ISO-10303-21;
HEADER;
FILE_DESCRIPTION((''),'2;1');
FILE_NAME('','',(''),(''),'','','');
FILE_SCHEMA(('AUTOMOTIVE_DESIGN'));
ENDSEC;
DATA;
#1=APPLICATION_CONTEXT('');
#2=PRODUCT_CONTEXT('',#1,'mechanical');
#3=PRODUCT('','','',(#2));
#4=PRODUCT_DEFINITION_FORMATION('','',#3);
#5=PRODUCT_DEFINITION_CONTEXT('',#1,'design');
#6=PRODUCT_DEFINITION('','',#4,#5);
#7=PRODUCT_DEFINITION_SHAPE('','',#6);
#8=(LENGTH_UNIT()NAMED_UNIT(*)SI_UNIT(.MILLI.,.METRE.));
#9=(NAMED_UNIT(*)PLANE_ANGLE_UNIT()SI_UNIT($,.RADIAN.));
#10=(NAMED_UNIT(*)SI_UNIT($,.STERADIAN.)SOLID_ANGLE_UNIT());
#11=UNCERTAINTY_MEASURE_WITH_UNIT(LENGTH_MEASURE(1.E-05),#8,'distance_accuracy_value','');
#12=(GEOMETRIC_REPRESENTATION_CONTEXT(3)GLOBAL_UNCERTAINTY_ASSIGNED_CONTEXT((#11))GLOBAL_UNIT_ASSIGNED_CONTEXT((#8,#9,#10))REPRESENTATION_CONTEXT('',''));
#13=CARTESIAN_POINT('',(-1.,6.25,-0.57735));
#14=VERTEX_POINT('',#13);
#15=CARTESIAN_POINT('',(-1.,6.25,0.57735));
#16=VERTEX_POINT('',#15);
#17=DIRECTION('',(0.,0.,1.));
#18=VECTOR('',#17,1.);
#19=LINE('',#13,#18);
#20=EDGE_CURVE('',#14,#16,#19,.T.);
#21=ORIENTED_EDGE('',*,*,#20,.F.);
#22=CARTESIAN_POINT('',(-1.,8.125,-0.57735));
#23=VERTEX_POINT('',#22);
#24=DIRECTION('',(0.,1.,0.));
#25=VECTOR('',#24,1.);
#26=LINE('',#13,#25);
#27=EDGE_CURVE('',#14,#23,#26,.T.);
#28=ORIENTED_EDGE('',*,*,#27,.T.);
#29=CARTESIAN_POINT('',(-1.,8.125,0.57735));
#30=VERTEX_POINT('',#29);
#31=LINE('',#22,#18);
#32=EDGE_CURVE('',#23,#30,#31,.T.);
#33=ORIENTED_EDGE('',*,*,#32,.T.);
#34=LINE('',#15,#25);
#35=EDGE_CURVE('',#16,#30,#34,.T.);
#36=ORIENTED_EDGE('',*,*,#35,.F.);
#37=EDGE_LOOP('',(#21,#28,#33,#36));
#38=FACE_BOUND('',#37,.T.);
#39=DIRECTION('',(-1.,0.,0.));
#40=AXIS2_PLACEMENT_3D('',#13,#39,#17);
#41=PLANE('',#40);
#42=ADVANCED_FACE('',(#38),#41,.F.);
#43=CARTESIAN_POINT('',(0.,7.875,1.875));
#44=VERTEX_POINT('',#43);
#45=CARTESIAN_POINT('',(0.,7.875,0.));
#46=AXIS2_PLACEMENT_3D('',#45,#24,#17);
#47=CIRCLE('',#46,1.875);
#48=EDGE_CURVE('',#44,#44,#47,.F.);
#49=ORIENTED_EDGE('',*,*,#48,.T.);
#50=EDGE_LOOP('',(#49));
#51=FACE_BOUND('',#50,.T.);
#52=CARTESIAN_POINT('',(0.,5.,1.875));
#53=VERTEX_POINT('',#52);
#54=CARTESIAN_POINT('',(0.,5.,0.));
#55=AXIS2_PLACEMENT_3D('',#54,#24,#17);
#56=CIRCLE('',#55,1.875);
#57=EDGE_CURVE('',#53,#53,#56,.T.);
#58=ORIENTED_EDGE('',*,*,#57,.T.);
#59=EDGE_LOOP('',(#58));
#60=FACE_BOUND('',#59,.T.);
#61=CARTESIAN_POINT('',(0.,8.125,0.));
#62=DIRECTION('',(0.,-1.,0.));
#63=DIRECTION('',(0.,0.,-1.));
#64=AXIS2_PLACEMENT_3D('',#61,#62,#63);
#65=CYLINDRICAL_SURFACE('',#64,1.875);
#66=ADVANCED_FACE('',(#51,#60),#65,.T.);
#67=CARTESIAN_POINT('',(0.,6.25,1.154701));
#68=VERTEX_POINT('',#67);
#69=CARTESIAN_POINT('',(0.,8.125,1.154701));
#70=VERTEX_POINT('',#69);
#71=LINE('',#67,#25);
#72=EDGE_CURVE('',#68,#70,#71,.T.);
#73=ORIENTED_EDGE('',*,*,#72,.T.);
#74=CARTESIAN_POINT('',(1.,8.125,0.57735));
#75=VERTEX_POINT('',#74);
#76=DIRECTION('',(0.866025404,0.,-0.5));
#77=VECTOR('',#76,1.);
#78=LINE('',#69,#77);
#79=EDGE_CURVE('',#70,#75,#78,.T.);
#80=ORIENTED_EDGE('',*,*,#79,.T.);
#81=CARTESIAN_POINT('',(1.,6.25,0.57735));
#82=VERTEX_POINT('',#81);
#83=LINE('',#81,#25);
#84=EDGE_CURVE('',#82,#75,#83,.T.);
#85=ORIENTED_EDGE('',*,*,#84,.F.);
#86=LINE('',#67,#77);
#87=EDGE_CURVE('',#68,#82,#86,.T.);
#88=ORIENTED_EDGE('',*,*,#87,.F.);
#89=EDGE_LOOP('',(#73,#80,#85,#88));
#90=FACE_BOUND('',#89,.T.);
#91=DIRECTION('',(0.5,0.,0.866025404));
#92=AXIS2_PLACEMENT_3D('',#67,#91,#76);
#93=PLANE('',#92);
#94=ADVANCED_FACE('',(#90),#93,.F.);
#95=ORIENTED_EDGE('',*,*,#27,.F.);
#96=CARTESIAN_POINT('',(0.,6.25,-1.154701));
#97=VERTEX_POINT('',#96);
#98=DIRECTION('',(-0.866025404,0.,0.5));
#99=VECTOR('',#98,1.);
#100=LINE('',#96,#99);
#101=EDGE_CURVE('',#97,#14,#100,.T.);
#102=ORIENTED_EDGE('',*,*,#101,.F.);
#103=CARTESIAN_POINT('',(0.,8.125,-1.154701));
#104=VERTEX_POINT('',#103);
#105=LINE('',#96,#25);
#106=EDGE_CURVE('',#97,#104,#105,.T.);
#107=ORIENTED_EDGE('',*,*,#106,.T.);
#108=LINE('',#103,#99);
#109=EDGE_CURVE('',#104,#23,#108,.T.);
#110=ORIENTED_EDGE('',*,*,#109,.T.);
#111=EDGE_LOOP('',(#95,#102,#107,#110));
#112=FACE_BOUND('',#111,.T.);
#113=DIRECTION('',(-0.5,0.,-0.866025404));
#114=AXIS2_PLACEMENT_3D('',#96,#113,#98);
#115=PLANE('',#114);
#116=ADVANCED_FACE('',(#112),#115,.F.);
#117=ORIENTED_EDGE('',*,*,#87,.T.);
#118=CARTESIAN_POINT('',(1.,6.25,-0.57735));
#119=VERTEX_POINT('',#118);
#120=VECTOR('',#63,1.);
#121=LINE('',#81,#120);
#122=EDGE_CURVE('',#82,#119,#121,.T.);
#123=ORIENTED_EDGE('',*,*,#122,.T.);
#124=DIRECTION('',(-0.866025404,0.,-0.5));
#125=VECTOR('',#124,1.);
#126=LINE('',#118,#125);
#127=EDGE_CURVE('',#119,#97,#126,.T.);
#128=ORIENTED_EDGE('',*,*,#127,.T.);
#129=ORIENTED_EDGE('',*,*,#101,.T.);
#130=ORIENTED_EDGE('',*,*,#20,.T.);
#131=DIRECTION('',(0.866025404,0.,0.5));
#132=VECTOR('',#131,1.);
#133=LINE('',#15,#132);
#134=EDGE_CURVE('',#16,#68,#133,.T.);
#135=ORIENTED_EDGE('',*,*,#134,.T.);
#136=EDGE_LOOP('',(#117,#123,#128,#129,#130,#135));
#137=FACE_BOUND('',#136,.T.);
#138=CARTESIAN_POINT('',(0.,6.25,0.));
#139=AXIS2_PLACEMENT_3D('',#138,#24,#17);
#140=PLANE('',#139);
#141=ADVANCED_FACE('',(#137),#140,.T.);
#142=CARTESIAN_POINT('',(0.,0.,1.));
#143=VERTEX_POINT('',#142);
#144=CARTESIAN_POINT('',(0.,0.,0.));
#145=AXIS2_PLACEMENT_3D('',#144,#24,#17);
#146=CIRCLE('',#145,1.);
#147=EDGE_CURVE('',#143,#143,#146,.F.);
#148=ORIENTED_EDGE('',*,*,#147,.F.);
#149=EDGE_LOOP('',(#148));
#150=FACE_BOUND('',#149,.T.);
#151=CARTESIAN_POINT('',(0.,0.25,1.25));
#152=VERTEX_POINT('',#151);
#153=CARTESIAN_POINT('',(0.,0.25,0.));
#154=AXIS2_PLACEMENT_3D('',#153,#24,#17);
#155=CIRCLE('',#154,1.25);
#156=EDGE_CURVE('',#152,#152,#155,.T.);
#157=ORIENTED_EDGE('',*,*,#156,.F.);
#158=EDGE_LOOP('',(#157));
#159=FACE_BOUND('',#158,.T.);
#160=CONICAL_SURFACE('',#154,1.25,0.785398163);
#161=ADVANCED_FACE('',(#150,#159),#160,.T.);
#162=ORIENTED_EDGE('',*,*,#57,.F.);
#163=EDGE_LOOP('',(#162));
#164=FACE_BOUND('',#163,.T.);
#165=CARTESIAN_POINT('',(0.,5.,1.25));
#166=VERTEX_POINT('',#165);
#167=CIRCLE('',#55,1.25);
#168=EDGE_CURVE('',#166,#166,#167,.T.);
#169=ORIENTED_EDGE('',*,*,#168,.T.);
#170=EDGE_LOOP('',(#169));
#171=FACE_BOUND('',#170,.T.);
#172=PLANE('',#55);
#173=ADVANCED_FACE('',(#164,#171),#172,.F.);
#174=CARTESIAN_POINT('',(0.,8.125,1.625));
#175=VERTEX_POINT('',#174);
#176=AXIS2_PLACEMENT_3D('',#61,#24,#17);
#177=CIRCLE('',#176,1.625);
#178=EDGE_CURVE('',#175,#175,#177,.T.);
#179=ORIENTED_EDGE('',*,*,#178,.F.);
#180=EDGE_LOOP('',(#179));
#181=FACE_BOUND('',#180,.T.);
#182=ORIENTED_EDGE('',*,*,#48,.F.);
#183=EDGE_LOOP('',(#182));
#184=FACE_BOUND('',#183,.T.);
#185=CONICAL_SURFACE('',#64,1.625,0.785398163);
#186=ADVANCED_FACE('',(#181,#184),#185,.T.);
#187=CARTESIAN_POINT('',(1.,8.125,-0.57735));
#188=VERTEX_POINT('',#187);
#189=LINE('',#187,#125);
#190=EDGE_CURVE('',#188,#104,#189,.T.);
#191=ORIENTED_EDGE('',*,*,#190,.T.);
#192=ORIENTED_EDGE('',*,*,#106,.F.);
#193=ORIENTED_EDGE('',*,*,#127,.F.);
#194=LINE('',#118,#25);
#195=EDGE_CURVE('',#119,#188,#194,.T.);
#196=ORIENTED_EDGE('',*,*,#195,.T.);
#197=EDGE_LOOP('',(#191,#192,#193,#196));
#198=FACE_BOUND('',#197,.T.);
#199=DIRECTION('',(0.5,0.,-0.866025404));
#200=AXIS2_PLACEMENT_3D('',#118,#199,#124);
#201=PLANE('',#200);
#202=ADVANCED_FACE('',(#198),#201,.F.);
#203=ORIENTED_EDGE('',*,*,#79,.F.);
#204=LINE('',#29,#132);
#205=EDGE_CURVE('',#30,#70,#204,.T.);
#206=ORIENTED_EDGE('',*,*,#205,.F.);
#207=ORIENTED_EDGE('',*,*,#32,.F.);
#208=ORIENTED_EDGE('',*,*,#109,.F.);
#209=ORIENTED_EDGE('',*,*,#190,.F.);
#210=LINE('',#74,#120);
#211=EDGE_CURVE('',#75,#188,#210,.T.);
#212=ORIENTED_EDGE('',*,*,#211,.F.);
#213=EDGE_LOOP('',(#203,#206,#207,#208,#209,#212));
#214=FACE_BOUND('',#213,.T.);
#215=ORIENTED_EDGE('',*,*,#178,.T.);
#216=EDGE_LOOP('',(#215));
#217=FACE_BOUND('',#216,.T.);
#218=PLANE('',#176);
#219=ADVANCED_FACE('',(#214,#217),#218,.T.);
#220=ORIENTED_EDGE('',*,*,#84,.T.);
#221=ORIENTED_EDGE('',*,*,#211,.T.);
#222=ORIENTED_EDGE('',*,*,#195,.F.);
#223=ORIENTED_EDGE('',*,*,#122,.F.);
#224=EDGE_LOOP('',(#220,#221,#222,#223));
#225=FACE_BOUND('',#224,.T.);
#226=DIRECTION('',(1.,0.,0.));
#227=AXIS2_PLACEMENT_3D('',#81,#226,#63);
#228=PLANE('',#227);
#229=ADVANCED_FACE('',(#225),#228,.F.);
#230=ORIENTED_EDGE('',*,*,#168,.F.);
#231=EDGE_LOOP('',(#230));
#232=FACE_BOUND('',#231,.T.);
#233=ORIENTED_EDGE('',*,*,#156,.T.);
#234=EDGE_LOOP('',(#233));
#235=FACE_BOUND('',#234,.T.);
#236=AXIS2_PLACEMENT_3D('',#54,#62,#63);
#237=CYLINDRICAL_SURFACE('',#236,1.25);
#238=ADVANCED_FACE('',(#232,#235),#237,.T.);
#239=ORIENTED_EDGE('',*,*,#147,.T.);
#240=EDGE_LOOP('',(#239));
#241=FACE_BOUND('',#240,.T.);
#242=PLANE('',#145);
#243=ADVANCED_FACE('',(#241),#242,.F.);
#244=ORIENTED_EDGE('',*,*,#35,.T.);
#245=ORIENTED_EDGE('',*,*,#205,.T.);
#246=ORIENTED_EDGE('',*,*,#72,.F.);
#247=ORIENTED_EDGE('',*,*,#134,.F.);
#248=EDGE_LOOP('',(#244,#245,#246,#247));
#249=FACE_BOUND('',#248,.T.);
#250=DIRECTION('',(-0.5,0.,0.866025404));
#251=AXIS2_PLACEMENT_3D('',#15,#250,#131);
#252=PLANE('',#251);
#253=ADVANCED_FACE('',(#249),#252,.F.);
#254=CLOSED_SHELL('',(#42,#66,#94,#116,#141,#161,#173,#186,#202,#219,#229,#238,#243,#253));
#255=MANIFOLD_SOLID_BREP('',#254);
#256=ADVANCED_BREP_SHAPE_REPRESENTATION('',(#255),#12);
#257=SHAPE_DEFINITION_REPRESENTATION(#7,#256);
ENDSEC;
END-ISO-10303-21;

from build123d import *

# Parameters (mm, degrees)
SKICA1_R                 = 1.25
P_IDAT_VYSUNUT_M1_DEPTH  = 5
SKICA2_R                 = 1.875
P_IDAT_VYSUNUT_M2_DEPTH  = 3.125
ODEBRAT_VYSUNUT_M1_DEPTH = 1.875
ZKOSEN_1_SIZE            = 0.25


with BuildPart() as part:
    # Skica1 → Přidat vysunutím1 (new body)
    with BuildSketch(Plane(origin=(0, 0, 0), x_dir=(1, 0, 0), z_dir=(0, 1, 0))):
        with Locations(Location((0, 0, 0), (0, 0, 270))):
            Circle(SKICA1_R)
    extrude(amount=P_IDAT_VYSUNUT_M1_DEPTH)

    # Skica2 → Přidat vysunutím2 (add)
    with BuildSketch(Plane(origin=(0, 5, 0), x_dir=(1, 0, 0), z_dir=(0, 1, 0))):
        with Locations(Location((0, 0, 0), (0, 0, 270))):
            Circle(SKICA2_R)
    extrude(amount=P_IDAT_VYSUNUT_M2_DEPTH)

    # Skica3 → Odebrat vysunutím1 (cut)
    with BuildSketch(Plane(origin=(0, 8.125, 0), x_dir=(1, 0, 0), z_dir=(0, 1, 0))):
        Polygon((0, 1.154700538), (-1, 0.577350269), (-1, -0.577350269), (0, -1.154700538), (1, -0.577350269), (1, 0.577350269), align=None)
    extrude(amount=-ODEBRAT_VYSUNUT_M1_DEPTH, mode=Mode.SUBTRACT)

    # Zkosení1
    zkosen_1_edges = [part.edges().sort_by_distance(p)[0] for p in [
        (0, 0, -1.25),
        (0, 8.125, -1.875),
    ]]
    chamfer(zkosen_1_edges, length=ZKOSEN_1_SIZE)


solid = part.part
